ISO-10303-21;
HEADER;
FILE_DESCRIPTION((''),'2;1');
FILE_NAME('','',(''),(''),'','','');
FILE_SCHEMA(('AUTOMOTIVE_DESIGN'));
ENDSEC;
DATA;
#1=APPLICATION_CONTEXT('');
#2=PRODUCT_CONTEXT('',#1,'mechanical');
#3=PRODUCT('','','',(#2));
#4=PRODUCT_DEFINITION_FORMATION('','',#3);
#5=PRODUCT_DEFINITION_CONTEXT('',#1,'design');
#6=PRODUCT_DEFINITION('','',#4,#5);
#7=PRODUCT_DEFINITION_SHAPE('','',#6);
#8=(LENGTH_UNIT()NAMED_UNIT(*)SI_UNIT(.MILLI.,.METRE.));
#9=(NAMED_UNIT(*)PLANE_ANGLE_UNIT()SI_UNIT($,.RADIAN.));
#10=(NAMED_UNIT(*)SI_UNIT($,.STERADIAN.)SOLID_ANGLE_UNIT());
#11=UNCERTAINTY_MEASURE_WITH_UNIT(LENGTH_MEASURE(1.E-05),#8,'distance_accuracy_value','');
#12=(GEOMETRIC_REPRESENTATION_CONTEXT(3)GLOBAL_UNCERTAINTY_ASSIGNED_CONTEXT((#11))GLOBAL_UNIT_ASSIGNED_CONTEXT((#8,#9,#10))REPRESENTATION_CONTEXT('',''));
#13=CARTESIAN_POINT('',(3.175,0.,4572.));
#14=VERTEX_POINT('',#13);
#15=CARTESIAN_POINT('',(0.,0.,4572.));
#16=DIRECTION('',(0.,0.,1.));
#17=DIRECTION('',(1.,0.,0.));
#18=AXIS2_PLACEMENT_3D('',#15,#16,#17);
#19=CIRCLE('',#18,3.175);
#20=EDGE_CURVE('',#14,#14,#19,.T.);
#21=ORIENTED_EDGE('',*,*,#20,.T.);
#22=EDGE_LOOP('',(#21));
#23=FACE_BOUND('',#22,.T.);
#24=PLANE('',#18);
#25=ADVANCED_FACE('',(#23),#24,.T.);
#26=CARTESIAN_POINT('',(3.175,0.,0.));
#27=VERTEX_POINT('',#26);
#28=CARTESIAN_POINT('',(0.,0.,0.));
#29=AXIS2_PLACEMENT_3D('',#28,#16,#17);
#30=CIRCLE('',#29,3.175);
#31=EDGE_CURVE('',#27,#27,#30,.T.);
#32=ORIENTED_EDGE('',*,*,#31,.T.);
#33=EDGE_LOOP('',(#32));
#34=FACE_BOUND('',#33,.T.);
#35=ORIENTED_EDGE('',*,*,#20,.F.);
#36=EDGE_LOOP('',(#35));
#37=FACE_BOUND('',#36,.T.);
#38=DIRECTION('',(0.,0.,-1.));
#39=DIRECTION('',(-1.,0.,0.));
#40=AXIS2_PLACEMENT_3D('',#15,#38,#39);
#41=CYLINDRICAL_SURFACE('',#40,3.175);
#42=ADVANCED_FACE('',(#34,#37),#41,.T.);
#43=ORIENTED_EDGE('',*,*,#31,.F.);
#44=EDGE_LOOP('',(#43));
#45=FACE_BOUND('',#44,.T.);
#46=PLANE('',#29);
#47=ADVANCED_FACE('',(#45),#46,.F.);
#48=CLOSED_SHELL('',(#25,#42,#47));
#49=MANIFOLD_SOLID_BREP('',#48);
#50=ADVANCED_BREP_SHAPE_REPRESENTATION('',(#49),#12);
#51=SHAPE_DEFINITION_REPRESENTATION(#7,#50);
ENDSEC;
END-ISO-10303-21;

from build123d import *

# Parameters (mm, degrees)
SKETCH1_R      = 3.175
EXTRUDE1_DEPTH = 4572


with BuildPart() as part:
    # Sketch1 → Extrude1 (new body)
    with BuildSketch(Plane.XY):
        Circle(SKETCH1_R)
    extrude(amount=EXTRUDE1_DEPTH)


solid = part.part
